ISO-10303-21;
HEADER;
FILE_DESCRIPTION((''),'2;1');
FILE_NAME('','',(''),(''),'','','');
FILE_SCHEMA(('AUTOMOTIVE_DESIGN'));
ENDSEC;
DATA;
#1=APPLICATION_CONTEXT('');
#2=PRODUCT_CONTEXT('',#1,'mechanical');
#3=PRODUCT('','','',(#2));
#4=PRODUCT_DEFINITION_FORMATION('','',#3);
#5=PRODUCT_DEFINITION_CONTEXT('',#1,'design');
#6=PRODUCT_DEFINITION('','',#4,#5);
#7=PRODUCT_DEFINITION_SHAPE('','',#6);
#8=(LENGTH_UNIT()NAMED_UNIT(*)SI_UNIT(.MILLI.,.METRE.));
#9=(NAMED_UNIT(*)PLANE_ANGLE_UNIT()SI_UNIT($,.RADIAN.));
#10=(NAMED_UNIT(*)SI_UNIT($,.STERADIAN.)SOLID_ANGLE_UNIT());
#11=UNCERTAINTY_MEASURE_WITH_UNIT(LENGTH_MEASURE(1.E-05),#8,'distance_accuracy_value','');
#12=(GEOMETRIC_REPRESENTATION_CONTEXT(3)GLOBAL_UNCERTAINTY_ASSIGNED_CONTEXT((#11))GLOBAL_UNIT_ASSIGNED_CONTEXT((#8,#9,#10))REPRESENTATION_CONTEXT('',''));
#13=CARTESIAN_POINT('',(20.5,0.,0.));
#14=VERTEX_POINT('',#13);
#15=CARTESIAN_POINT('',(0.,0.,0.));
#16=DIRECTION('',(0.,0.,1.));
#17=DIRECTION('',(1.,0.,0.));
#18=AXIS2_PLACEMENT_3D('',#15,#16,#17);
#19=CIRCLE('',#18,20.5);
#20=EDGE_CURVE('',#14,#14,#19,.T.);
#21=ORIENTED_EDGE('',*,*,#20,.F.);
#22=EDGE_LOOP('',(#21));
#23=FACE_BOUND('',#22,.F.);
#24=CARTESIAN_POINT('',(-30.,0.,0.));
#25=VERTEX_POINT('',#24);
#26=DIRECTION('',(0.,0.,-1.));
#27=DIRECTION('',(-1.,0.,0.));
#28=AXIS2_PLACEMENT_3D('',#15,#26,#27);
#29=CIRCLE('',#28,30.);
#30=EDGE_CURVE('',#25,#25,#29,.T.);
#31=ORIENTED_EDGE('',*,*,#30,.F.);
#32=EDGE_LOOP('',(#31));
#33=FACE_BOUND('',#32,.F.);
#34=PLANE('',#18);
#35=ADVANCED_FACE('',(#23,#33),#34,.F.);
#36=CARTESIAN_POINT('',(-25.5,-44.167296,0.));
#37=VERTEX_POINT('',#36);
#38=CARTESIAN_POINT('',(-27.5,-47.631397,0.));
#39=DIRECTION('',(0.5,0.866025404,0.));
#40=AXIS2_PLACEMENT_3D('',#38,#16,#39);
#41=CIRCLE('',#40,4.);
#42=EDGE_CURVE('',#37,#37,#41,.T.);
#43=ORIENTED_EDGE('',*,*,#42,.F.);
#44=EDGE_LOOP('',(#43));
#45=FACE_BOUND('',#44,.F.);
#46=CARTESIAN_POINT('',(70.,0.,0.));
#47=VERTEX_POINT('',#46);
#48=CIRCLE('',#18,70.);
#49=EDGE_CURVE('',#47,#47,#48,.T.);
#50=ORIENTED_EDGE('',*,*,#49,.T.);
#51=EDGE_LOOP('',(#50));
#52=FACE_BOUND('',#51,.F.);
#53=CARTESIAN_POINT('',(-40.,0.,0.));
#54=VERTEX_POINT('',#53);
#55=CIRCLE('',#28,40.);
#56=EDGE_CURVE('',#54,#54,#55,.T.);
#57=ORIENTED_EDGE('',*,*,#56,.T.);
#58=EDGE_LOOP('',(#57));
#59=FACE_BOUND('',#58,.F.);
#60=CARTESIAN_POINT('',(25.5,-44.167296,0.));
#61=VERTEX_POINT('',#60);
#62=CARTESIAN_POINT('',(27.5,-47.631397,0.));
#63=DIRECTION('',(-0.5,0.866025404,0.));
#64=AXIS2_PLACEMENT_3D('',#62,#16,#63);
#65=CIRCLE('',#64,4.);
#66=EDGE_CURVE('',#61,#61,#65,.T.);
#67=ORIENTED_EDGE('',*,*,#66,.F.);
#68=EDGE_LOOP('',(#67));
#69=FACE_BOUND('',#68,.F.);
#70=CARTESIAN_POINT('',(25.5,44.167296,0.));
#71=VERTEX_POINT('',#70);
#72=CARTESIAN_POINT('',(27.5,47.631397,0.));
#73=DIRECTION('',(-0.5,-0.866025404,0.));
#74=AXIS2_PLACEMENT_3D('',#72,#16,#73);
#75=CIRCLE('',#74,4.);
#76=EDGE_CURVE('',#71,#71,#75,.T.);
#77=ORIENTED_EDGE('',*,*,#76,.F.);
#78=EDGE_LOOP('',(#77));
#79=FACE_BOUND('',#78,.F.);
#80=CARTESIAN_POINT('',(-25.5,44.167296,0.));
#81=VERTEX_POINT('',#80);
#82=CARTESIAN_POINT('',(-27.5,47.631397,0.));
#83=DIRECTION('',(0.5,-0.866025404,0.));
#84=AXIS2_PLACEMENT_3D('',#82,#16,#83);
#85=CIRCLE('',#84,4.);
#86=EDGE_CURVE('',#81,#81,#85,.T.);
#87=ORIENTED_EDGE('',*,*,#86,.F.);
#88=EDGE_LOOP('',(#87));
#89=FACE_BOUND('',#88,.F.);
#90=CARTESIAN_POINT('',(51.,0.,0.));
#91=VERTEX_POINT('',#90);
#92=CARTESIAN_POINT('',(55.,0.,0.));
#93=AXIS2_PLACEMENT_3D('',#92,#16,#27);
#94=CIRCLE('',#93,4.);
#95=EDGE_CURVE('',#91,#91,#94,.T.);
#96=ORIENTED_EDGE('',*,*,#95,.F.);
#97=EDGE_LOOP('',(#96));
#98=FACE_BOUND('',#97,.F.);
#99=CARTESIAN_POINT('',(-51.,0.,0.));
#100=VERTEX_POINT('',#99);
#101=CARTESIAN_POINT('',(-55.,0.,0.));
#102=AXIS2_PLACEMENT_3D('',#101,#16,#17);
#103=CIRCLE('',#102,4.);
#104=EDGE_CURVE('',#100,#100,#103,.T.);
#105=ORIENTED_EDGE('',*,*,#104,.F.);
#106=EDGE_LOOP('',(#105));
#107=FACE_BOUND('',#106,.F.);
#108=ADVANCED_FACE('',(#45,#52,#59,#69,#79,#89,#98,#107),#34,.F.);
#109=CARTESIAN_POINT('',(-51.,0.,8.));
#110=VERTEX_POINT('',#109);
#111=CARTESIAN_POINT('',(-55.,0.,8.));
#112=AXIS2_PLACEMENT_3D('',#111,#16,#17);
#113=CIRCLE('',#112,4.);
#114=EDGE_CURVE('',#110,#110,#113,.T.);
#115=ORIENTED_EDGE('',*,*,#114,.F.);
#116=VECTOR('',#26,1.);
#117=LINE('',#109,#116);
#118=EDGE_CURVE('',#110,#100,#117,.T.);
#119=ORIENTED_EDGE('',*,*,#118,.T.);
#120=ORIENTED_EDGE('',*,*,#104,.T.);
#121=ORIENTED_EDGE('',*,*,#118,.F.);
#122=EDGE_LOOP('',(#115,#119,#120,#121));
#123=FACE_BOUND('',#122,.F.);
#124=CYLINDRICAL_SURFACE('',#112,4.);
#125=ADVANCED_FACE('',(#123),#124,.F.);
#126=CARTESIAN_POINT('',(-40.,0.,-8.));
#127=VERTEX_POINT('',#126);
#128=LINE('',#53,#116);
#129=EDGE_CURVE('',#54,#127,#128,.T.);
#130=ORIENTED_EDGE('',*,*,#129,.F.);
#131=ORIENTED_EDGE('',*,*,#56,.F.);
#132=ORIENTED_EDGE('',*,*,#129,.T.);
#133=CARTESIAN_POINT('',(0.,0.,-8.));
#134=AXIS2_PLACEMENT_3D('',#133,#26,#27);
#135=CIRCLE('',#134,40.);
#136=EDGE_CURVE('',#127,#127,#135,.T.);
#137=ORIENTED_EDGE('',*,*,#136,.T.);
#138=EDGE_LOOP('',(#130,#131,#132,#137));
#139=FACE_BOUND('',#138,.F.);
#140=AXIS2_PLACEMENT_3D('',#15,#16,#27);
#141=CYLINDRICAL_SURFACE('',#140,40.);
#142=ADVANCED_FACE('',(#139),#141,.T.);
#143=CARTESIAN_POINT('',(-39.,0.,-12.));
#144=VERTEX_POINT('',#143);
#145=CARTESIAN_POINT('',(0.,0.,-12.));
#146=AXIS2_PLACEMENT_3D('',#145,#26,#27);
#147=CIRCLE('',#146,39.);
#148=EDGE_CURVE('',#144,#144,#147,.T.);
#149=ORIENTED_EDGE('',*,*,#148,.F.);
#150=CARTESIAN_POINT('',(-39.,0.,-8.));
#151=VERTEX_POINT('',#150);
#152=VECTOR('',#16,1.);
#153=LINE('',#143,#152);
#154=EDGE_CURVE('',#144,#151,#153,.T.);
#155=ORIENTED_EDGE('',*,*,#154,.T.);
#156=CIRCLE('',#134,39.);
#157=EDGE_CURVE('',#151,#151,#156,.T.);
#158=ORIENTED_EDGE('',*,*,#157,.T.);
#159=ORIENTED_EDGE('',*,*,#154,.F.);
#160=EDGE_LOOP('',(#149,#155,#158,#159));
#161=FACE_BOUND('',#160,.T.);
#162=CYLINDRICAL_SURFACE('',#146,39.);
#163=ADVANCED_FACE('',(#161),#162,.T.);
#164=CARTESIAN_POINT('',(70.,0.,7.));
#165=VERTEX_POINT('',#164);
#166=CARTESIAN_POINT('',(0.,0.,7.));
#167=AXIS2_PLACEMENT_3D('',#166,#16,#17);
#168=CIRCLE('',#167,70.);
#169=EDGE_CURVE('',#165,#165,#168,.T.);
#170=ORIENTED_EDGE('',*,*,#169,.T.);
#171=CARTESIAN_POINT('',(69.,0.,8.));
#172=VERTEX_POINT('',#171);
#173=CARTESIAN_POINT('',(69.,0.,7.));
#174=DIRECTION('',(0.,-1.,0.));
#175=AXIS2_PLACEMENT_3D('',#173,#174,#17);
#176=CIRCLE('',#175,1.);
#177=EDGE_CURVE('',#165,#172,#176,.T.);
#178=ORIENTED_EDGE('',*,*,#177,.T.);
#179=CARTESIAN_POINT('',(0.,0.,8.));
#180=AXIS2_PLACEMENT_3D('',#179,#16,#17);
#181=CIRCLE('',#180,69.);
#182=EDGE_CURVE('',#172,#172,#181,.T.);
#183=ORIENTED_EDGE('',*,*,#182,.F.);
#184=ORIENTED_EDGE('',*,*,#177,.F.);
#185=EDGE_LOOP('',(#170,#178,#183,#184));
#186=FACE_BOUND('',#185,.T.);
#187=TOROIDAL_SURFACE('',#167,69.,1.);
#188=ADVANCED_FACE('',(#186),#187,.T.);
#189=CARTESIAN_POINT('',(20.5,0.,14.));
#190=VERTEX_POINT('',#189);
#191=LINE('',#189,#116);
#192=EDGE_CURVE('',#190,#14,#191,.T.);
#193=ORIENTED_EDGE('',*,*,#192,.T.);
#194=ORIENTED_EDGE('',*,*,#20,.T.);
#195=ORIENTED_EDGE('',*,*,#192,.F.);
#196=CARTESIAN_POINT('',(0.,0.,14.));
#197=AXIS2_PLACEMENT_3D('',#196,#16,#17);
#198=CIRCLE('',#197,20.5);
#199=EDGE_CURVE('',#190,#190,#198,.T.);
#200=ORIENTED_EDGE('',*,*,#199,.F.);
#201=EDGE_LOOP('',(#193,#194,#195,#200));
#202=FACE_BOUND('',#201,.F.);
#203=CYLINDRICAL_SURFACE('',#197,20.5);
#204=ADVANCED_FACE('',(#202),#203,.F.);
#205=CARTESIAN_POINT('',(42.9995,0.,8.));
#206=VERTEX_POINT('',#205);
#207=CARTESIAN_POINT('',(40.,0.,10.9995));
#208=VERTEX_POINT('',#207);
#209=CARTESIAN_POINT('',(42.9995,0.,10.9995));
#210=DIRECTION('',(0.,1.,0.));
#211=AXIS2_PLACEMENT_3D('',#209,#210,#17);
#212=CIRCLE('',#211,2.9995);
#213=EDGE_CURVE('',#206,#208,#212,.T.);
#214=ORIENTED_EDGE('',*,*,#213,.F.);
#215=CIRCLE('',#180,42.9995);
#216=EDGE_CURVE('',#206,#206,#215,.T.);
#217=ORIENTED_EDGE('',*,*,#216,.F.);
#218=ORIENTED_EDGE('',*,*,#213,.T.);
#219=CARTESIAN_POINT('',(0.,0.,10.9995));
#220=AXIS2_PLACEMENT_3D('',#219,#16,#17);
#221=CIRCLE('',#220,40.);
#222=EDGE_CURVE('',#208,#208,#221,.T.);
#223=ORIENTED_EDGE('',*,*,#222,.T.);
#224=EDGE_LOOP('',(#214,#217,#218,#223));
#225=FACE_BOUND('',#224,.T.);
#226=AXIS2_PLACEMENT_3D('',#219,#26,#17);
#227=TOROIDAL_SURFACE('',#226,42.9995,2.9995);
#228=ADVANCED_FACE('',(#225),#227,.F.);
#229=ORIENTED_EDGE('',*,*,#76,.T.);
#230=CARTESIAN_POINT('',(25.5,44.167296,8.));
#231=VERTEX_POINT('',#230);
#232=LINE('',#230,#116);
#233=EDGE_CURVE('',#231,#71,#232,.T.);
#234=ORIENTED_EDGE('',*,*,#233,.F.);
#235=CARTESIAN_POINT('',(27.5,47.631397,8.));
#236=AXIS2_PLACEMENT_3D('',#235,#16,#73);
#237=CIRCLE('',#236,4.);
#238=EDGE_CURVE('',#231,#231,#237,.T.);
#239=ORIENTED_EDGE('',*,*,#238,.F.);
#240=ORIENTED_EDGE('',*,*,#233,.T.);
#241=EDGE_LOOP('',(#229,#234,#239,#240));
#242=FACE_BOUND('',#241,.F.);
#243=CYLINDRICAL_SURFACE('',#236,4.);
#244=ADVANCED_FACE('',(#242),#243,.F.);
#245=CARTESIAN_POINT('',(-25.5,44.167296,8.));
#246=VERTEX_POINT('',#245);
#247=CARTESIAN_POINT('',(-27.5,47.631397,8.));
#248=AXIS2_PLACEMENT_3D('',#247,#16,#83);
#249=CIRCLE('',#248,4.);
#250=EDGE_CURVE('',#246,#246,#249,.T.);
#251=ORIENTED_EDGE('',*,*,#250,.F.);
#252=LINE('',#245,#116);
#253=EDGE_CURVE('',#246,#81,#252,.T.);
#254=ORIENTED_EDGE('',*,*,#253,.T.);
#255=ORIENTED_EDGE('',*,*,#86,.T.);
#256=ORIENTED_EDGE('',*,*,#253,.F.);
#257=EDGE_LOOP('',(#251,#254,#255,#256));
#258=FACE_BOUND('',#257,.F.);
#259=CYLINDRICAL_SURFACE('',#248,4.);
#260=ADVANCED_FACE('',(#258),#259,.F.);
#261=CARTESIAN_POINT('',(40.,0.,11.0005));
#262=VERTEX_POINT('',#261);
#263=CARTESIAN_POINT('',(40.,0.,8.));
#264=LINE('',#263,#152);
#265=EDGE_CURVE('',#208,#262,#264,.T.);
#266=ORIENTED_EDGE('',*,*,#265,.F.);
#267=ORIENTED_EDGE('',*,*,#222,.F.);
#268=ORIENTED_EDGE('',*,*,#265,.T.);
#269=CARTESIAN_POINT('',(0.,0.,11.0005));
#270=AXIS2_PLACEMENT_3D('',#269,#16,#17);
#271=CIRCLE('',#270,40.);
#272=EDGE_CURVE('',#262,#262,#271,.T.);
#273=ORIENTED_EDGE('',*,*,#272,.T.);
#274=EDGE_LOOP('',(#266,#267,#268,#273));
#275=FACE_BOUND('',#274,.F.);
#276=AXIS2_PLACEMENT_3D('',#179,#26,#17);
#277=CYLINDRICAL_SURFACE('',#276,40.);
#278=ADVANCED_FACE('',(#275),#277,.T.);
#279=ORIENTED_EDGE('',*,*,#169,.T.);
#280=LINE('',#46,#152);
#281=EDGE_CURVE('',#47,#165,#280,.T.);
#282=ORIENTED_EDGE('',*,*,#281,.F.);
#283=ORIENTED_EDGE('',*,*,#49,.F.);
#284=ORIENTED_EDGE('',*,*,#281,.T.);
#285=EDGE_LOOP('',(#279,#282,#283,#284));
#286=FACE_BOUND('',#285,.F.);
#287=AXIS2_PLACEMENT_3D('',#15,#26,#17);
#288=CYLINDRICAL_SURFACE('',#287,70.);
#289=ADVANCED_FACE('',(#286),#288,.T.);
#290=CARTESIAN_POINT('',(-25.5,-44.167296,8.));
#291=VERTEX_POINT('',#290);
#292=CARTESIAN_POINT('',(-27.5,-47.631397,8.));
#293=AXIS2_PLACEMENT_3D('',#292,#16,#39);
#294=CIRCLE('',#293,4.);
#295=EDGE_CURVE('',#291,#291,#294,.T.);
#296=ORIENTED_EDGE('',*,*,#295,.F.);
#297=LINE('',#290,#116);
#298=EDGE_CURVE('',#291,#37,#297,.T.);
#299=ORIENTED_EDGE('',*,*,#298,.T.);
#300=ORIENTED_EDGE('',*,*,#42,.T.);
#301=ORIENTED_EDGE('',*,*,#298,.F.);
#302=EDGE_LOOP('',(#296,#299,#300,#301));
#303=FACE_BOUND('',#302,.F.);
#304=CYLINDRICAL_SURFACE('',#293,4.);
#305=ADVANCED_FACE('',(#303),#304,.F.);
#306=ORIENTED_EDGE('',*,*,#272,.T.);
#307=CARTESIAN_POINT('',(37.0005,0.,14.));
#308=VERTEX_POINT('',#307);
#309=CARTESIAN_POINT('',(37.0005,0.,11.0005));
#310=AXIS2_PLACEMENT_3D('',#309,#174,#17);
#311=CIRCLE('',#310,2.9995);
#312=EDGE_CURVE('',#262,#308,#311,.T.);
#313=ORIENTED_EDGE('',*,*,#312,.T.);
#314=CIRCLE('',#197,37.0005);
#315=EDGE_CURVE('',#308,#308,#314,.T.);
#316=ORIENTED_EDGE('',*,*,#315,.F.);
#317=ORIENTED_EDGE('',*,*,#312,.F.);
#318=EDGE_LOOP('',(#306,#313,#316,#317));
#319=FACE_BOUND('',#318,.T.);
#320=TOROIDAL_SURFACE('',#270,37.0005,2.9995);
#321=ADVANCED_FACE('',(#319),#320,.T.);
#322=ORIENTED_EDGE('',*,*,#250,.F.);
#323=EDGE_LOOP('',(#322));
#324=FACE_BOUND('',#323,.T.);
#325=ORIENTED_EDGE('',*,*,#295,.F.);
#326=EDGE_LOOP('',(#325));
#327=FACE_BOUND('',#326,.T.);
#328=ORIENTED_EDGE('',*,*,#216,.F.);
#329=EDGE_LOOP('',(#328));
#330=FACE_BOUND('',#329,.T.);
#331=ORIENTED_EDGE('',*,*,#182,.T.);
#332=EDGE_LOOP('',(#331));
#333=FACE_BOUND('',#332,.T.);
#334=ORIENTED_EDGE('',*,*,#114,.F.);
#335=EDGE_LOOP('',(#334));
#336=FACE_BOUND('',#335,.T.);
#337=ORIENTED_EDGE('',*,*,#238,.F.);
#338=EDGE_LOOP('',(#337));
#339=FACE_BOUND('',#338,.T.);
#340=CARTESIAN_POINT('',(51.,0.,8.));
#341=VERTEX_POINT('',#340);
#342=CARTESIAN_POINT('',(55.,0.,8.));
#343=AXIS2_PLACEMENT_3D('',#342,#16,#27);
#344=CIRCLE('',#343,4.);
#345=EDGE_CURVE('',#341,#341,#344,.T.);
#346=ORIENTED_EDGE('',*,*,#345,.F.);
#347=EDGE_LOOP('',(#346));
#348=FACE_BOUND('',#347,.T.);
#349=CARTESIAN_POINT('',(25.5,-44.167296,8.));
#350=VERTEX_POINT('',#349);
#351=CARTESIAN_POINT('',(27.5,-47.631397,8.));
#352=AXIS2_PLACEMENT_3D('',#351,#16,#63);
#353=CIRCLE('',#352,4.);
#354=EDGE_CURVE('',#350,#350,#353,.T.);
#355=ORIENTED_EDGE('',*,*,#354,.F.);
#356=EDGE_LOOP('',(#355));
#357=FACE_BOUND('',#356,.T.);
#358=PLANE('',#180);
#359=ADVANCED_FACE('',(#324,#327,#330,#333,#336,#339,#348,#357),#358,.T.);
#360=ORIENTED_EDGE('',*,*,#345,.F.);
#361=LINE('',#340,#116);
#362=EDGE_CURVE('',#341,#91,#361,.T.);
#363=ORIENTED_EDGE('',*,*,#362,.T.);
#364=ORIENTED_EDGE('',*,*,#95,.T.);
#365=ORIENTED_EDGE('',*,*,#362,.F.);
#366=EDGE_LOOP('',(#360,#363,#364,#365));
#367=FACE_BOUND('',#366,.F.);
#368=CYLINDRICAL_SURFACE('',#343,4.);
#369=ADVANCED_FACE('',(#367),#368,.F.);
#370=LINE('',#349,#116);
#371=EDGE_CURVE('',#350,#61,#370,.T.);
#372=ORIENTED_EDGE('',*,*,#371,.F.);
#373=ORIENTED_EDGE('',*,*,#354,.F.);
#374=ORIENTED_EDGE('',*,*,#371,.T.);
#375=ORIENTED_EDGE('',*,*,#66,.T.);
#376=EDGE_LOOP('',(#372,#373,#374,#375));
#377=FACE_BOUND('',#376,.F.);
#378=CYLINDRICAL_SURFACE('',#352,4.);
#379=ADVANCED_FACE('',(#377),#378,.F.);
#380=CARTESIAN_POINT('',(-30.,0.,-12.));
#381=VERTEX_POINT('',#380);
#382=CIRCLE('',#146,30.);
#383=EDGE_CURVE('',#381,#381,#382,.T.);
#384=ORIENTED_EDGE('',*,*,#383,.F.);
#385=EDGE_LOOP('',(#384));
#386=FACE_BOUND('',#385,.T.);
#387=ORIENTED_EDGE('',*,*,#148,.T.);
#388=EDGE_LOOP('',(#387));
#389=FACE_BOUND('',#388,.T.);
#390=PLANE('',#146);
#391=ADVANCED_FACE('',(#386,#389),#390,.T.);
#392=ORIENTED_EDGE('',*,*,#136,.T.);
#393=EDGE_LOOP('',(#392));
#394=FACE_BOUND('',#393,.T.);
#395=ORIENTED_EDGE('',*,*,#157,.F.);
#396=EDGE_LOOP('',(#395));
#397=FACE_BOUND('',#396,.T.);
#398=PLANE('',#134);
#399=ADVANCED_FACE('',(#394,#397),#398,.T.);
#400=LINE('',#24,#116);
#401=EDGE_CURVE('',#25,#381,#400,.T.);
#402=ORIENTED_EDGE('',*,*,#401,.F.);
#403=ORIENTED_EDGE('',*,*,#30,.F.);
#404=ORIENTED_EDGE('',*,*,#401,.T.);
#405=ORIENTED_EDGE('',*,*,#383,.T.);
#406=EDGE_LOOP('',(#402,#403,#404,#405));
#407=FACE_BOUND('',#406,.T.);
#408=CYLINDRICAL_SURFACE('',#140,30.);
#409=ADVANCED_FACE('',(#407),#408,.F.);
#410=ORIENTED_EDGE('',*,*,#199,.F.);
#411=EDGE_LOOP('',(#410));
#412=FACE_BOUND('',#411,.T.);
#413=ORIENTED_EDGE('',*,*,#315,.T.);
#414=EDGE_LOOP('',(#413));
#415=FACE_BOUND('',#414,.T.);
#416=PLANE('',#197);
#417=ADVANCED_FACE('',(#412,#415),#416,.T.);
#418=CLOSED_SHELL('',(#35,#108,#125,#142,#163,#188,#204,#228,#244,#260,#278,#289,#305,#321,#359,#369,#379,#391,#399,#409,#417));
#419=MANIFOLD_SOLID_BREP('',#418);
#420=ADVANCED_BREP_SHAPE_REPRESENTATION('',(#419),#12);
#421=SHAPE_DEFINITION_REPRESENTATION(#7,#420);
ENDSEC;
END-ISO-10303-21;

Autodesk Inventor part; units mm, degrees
ref_plane "YZ Plane" through (0, 0, 0) normal (1, 0, 0) x (0, 1, 0)
ref_plane "XZ Plane" through (0, 0, 0) normal (0, 1, 0) x (-1, 0, 0)
ref_plane "XY Plane" through (0, 0, 0) normal (0, 0, 1) x (1, 0, 0)
sketch "草图1" plane through (0, 0, 0) normal (0, 0, 1) x (1, 0, 0)
  circle A0 centre (0, 0) radius 70
  dimension "d0" = 140
extrude "拉伸1" add sketch "草图1" along normal blind 8
sketch "草图2" plane through (0, 0, 0) normal (0, 0, -1) x (-1, 0, 0)
  circle A0 centre (0, 0) radius 40
  circle A1 centre (0, 0) radius 30
  dimension "d3" = 80
  dimension "d4" = 60
extrude "拉伸2" add sketch "草图2" along normal blind 12
sketch "草图3" plane through (0, 0, -12) normal (0, 0, -1) x (-1, 0, 0)
  circle A0 centre (0, 0) radius 40
  circle A1 centre (0, 0) radius 39
  dimension "d7" = 80
  dimension "d8" = 78
extrude "拉伸3" cut sketch "草图3" against normal blind 4
fillet "圆角2" radius 1 1 edges at (-70, 0, 8)
sketch "草图5" plane through (0, 0, 8) normal (0, 0, 1) x (1, 0, 0)
  circle A0 centre (-55, 0) radius 4
  line L0 (0, 0) -> (-8.161, 0)
  dimension "d16" = 8
  dimension "d17" = 8.161
  dimension "d18" = 55
extrude "拉伸5" cut sketch "草图5" against normal through all
pattern_circular "环形阵列1" count 6 over 360 about axis through (0, 0, -10) along (0, 0, 1) of "拉伸5"
sketch "草图6" plane through (0, 0, 8) normal (0, 0, 1) x (1, 0, 0)
  circle A0 centre (0, 0) radius 40
  dimension "d24" = 80
extrude "拉伸6" add sketch "草图6" along normal blind 6
sketch "草图7" plane through (0, 0, 14) normal (0, 0, 1) x (1, 0, 0)
  circle A0 centre (0, 0) radius 20.5
  dimension "d27" = 41
extrude "拉伸7" cut sketch "草图7" against normal through all
fillet "圆角3" radius 3 2 edges at (-40, 0, 14) (-40, 0, 8)
properties part number "主动轴大端盖"
